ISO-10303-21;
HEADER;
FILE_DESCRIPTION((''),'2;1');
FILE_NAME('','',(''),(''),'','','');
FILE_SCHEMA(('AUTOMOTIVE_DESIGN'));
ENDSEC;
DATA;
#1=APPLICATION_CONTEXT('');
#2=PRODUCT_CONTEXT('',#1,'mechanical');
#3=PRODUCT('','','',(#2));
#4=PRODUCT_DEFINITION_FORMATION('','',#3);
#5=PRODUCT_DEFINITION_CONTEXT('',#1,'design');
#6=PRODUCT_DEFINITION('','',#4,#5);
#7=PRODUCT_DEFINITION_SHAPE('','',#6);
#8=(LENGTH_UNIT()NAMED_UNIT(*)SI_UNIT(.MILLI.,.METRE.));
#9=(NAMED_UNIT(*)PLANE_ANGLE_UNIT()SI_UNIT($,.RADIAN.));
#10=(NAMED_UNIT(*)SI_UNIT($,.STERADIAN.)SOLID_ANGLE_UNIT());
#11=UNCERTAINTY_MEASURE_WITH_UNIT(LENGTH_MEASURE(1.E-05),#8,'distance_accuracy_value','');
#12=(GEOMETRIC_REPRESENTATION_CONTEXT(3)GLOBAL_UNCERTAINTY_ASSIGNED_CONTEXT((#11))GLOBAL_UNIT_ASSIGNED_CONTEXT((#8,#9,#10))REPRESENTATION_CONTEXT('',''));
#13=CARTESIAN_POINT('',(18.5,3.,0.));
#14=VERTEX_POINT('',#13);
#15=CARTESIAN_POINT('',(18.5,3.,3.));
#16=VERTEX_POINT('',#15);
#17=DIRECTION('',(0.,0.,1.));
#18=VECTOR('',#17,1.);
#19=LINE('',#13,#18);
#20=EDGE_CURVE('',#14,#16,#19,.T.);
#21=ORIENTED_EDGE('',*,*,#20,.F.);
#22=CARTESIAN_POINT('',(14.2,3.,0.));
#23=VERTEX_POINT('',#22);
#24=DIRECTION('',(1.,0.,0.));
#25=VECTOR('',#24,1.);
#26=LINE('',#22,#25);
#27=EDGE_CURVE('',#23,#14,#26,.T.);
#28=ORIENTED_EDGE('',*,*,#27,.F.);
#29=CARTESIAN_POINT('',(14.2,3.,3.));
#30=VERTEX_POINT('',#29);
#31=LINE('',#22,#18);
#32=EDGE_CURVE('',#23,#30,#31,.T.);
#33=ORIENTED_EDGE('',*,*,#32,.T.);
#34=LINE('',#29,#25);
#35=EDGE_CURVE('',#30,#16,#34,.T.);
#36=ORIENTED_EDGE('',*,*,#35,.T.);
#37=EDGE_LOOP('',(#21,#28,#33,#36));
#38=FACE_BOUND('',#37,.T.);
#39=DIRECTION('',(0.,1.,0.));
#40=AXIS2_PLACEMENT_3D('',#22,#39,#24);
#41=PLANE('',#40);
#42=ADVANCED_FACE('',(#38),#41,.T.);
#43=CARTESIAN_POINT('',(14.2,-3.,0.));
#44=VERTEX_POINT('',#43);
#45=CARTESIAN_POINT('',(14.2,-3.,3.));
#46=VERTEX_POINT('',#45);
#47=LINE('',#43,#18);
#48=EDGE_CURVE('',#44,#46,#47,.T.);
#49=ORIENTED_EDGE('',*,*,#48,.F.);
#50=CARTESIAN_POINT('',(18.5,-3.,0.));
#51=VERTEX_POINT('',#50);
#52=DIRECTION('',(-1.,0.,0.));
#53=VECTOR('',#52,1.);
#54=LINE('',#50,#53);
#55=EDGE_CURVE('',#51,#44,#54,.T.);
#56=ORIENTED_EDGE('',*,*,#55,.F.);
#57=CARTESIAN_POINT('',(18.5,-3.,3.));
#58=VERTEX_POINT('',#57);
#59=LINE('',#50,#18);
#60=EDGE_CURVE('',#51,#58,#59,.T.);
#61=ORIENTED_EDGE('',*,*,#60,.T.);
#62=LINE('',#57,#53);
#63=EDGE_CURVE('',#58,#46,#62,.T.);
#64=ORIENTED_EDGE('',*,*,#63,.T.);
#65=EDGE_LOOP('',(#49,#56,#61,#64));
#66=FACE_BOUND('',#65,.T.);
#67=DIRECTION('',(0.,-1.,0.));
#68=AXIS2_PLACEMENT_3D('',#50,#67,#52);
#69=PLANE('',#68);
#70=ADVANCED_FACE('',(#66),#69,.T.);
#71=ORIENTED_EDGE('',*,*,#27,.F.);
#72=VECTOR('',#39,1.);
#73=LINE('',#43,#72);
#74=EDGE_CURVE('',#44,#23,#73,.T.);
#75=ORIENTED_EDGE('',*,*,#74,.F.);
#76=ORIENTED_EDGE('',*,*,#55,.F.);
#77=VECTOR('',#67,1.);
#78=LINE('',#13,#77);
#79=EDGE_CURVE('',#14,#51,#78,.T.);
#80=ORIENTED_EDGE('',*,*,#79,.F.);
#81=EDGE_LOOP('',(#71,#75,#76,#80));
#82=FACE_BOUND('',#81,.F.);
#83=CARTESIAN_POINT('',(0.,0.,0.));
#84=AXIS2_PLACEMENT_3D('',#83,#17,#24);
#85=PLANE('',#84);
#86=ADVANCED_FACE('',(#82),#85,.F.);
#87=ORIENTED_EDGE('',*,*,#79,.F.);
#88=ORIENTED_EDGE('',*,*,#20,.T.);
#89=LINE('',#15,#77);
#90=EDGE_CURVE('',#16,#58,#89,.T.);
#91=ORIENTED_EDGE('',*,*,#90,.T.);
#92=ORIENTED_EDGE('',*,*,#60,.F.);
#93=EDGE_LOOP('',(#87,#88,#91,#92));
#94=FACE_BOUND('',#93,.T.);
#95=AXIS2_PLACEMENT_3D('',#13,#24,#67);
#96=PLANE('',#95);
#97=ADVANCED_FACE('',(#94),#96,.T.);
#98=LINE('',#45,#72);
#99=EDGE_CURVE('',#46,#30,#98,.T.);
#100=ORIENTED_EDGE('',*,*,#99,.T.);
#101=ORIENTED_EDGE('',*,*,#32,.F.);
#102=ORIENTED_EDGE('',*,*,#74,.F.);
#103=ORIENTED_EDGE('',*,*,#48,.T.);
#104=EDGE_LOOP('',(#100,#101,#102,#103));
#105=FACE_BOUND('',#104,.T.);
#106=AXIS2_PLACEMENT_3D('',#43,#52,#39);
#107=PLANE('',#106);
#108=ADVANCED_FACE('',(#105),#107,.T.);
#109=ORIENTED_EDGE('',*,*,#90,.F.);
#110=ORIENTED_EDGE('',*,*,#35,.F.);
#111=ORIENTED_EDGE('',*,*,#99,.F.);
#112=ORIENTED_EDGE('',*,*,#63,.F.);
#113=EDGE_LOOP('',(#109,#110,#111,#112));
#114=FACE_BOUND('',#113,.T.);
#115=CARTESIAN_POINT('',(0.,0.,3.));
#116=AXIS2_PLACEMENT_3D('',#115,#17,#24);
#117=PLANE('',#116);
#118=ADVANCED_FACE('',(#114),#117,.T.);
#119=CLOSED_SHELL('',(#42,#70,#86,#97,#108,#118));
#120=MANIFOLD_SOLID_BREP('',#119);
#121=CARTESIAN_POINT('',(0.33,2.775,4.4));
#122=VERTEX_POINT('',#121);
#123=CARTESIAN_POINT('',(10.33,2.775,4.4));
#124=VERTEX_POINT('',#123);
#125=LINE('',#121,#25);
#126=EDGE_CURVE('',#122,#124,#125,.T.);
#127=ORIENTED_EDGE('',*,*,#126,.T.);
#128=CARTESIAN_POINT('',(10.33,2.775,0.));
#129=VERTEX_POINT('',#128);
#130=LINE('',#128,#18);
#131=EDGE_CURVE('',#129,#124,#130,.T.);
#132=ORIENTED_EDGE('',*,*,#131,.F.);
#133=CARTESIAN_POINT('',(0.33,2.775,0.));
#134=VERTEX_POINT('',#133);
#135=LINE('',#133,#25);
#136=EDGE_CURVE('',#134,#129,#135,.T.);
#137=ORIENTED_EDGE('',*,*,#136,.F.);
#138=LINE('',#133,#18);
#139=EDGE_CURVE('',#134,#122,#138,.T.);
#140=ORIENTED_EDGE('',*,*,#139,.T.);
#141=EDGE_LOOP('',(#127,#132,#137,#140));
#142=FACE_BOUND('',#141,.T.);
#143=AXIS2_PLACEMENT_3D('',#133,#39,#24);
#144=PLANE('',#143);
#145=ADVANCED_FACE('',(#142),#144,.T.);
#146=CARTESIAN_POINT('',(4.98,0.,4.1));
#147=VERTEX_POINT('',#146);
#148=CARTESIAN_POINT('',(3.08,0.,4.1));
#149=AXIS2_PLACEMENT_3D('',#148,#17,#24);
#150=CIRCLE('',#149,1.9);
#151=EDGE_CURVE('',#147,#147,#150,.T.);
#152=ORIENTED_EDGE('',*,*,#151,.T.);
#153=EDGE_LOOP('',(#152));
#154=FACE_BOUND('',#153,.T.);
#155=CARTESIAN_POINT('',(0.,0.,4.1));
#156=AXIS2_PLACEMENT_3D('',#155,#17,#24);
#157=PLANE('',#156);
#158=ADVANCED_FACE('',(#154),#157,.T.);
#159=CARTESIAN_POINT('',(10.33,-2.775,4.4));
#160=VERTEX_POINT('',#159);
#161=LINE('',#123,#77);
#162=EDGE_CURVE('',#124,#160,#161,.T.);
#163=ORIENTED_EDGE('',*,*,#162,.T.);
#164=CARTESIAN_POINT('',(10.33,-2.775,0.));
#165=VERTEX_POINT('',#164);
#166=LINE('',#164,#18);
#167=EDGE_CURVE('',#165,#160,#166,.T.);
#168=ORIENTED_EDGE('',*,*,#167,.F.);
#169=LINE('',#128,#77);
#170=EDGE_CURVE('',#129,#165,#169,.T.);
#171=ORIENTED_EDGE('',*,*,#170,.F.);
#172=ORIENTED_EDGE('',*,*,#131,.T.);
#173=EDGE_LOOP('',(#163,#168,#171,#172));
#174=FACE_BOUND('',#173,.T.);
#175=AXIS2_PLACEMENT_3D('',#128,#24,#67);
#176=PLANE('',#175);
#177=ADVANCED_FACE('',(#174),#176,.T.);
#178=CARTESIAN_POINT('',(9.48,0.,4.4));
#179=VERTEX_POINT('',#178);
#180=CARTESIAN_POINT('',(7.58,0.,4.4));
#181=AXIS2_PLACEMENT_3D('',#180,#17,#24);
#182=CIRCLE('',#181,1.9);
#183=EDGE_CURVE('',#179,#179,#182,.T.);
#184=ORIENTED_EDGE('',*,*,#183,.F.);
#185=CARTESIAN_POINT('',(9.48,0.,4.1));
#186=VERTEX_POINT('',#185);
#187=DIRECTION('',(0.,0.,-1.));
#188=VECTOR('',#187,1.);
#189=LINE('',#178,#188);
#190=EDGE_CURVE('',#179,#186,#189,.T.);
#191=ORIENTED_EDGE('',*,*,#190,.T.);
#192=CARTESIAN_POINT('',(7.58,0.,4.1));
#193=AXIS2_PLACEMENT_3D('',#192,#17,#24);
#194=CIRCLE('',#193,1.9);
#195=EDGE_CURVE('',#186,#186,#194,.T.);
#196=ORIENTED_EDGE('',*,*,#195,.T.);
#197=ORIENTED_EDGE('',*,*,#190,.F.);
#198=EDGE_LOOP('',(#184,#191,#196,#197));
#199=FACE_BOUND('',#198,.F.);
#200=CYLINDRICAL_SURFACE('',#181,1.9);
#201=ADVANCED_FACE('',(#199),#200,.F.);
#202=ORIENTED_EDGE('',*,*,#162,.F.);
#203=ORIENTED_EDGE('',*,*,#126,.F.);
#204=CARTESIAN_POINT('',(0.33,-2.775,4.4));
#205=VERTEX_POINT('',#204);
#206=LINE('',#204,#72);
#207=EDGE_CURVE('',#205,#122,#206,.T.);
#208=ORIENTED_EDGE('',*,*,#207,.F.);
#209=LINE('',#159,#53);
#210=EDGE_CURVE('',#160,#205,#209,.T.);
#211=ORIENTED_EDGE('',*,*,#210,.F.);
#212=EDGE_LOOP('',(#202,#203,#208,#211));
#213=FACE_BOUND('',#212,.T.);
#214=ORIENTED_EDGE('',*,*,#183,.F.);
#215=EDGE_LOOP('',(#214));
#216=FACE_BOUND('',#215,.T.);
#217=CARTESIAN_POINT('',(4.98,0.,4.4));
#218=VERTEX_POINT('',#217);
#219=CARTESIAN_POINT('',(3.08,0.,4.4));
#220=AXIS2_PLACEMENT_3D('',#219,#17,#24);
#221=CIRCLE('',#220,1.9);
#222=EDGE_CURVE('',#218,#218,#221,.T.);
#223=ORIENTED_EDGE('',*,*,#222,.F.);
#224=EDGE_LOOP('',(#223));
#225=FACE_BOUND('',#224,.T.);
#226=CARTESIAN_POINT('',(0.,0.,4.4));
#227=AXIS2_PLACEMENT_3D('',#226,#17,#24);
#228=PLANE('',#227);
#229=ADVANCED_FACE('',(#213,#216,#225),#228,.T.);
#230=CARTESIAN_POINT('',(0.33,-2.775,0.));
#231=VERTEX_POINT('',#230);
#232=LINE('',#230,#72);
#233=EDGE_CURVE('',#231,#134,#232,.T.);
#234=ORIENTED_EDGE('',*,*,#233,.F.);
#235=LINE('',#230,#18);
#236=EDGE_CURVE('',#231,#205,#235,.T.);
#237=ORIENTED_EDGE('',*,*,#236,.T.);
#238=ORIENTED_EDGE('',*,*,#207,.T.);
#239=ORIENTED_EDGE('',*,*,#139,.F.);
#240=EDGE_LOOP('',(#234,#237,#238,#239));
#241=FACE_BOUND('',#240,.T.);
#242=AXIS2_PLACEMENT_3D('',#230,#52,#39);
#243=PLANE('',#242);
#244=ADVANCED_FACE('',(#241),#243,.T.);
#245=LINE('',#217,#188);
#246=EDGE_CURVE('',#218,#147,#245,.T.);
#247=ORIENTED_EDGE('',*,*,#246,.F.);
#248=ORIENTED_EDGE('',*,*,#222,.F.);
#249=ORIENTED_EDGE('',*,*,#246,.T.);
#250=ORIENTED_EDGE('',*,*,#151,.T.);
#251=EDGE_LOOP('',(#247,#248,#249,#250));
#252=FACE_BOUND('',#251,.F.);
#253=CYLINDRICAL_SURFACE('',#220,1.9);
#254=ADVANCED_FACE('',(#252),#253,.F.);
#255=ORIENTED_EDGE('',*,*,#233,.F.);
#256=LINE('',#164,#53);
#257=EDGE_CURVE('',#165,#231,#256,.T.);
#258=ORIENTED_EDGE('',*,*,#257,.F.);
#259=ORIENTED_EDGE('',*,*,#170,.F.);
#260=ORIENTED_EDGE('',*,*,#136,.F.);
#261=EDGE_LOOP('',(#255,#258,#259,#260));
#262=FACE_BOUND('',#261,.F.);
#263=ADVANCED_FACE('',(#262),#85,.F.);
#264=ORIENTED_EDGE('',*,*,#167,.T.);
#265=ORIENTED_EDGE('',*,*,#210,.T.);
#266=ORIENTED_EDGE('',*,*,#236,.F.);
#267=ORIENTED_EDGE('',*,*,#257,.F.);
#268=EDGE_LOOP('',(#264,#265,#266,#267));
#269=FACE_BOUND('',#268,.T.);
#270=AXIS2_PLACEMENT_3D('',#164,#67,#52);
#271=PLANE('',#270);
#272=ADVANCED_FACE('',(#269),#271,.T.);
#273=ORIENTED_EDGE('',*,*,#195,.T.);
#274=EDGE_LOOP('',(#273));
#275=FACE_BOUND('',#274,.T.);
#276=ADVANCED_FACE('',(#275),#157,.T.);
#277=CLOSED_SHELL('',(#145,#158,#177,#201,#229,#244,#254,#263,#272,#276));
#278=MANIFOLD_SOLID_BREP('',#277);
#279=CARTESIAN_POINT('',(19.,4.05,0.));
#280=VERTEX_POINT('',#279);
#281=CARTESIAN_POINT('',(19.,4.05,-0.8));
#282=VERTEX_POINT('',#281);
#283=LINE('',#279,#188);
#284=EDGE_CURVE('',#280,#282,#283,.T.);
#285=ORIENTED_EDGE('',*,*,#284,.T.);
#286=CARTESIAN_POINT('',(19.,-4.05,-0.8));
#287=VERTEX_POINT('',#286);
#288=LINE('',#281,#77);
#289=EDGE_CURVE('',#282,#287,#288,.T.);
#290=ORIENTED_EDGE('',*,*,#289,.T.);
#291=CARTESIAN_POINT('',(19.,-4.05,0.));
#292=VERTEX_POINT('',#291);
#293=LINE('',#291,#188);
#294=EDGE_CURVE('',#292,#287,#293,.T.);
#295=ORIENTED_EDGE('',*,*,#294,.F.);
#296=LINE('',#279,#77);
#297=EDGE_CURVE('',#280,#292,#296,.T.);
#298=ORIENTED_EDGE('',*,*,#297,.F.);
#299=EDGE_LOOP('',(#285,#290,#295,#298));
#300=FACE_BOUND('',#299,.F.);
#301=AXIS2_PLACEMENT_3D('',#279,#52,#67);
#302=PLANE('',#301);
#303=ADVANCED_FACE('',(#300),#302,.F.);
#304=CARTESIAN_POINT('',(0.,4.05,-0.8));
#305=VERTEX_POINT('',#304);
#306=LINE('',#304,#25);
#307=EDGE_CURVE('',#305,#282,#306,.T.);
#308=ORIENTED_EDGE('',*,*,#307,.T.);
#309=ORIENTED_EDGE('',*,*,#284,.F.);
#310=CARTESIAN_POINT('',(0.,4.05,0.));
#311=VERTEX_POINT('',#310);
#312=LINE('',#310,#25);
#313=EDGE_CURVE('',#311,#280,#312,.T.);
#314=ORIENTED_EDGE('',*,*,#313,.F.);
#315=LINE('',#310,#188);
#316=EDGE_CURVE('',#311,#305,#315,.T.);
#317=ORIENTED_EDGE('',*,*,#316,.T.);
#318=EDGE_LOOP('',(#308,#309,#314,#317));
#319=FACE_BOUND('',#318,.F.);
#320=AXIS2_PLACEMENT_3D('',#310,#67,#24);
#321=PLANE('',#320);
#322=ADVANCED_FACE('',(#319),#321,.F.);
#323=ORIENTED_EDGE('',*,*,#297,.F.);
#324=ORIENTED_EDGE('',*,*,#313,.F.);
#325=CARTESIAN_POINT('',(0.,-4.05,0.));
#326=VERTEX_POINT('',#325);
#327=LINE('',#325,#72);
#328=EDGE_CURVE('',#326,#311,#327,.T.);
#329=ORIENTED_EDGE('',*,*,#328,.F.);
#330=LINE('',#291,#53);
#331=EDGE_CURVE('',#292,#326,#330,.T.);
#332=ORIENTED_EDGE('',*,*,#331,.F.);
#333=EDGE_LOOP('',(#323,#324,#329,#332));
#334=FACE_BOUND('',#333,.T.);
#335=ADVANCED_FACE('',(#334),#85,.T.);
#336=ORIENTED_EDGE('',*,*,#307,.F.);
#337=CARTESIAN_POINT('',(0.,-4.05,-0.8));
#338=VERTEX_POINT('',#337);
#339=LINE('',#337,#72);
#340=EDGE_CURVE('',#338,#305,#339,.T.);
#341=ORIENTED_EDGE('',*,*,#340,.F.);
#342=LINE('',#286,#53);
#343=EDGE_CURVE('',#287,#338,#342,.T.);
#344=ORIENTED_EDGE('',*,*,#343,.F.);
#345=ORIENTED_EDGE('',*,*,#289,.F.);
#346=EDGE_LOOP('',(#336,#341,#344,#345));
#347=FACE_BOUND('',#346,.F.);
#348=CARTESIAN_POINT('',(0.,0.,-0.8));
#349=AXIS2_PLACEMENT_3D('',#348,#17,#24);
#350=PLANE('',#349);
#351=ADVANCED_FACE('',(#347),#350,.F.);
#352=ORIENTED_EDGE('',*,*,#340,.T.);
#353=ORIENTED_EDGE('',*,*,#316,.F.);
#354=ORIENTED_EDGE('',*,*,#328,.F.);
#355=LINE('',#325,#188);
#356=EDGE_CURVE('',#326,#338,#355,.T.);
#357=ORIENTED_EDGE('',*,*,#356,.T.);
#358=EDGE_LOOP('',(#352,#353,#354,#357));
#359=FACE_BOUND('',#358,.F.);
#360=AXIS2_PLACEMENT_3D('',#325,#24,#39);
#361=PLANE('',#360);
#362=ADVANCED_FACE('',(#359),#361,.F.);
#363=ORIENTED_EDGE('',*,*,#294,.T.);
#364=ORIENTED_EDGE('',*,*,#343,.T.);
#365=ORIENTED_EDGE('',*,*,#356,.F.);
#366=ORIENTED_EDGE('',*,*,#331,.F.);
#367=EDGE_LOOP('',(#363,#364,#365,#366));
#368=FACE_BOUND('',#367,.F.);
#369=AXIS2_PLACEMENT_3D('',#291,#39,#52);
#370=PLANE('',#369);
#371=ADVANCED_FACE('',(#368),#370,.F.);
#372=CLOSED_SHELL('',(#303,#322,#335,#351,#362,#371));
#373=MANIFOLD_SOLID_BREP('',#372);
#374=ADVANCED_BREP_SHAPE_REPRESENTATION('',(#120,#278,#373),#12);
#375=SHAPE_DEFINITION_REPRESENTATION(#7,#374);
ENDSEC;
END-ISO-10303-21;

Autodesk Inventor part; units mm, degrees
ref_plane "YZ Plane" through (0, 0, 0) normal (1, 0, 0) x (0, 1, 0)
ref_plane "XZ Plane" through (0, 0, 0) normal (0, 1, 0) x (-1, 0, 0)
ref_plane "XY Plane" through (0, 0, 0) normal (0, 0, 1) x (1, 0, 0)
sketch "Sketch1" plane through (0, 0, 0) normal (0, 0, 1) x (1, 0, 0)
  line L0 (0, 4.05) -> (19, 4.05)
  line L1 (19, 4.05) -> (19, -4.05)
  line L2 (19, -4.05) -> (0, -4.05)
  line L3 (0, -4.05) -> (0, 4.05)
  line L4 (0, 4.05) -> (19, -4.05) construction
  line L5 (19, 4.05) -> (0, -4.05) construction
  point P0 (0, 0)
  point P1 (9.5, 0)
  point P2 (0, 0)
  dimension "d0" = 19
  dimension "d1" = 8.1
extrude "Extrusion1" add sketch "Sketch1" against normal blind 0.8
sketch "Sketch2" plane through (0, 0, 0) normal (0, 0, 1) x (1, 0, 0)
  line L0 (0.33, 2.775) -> (10.33, 2.775)
  line L1 (10.33, 2.775) -> (10.33, -2.775)
  line L2 (10.33, -2.775) -> (0.33, -2.775)
  line L3 (0.33, -2.775) -> (0.33, 2.775)
  line L4 (0.33, 2.775) -> (10.33, -2.775) construction
  line L5 (10.33, 2.775) -> (0.33, -2.775) construction
  line L6 (0, 0) -> (0.33, 0) construction
  line L7 (19, 4.05) -> (19, -4.05) construction
  line L8 (19, 0) -> (18.5, 0) construction
  line L9 (14.2, 3) -> (18.5, 3)
  line L10 (18.5, 3) -> (18.5, -3)
  line L11 (18.5, -3) -> (14.2, -3)
  line L12 (14.2, -3) -> (14.2, 3)
  line L13 (14.2, 3) -> (18.5, -3) construction
  line L14 (18.5, 3) -> (14.2, -3) construction
  point P0 (5.33, 0)
  point P1 (16.35, 0)
  dimension "d4" = 0.33
  dimension "d5" = 5.55
  dimension "d6" = 10
  dimension "d7" = 0.5
  dimension "d8" = 6
  dimension "d9" = 4.3
extrude "Extrusion2" add sketch "Sketch2" along normal blind 4.4 separate body contours L0 L1 L2 L3
extrude "Extrusion3" add sketch "Sketch2" along normal blind 3 contours L9 L10 L11 L12 bodies 2
sketch "Sketch3" plane through (0, 0, 4.4) normal (0, 0, 1) x (1, 0, 0)
  line L0 (0.33, 2.775) -> (10.33, 2.775) construction
  line L1 (5.33, 2.775) -> (5.33, -2.775) construction
  line L2 (10.33, -2.775) -> (0.33, -2.775) construction
  line L3 (0.33, 2.775) -> (0.33, -2.775) construction
  line L4 (10.33, -2.775) -> (10.33, 2.775) construction
  line L5 (3.08, 0) -> (7.58, 0) construction
  circle A0 centre (3.08, 0) radius 1.9
  circle A1 centre (7.58, 0) radius 1.9
  point P0 (0, 0)
  point P1 (5.33, 0)
  dimension "d14" = 4.5
  dimension "d15" = 3.8
  dimension "d16" = 3.8
extrude "Extrusion4" cut sketch "Sketch3" against normal blind 0.3 bodies 2
equation "\"d0\" = ir_length"
equation "\"d1\" = ir_width"
equation "\"d2\" = ir_depth"
equation "\"d4\" = ir_blockOffset"
equation "\"d5\" = ir_blockWidth"
equation "\"d6\" = ir_blockLength"
equation "\"d7\" = ir_connOffset"
equation "\"d8\" = ir_connWidth"
equation "\"d9\" = ir_connLength"
equation "\"d10\" = ir_blockDepth"
equation "\"d12\" = ir_connDepth"
equation "\"d14\" = ir_ledSpacing"
equation "\"d15\" = ir_ledDiam"
equation "\"d16\" = ir_ledDiam"
equation "\"d17\" = ir_ledDepth"
equation "\"ir_length\" = 19"
equation "\"ir_width\" = 8.1"
equation "\"ir_depth\" = 0.8"
equation "\"ir_blockLength\" = 10"
equation "\"ir_blockWidth\" = 5.55"
equation "\"ir_blockDepth\" = 4.4"
equation "\"ir_connWidth\" = 6"
equation "\"ir_connLength\" = 4.3"
equation "\"ir_connDepth\" = 3"
equation "\"ir_blockOffset\" = 0.33"
equation "\"ir_connOffset\" = 0.5"
equation "\"ir_ledDiam\" = 3.8"
equation "\"ir_ledSpacing\" = 4.5"
equation "\"ir_ledDepth\" = 0.3"
properties part number "IR Sensor"
